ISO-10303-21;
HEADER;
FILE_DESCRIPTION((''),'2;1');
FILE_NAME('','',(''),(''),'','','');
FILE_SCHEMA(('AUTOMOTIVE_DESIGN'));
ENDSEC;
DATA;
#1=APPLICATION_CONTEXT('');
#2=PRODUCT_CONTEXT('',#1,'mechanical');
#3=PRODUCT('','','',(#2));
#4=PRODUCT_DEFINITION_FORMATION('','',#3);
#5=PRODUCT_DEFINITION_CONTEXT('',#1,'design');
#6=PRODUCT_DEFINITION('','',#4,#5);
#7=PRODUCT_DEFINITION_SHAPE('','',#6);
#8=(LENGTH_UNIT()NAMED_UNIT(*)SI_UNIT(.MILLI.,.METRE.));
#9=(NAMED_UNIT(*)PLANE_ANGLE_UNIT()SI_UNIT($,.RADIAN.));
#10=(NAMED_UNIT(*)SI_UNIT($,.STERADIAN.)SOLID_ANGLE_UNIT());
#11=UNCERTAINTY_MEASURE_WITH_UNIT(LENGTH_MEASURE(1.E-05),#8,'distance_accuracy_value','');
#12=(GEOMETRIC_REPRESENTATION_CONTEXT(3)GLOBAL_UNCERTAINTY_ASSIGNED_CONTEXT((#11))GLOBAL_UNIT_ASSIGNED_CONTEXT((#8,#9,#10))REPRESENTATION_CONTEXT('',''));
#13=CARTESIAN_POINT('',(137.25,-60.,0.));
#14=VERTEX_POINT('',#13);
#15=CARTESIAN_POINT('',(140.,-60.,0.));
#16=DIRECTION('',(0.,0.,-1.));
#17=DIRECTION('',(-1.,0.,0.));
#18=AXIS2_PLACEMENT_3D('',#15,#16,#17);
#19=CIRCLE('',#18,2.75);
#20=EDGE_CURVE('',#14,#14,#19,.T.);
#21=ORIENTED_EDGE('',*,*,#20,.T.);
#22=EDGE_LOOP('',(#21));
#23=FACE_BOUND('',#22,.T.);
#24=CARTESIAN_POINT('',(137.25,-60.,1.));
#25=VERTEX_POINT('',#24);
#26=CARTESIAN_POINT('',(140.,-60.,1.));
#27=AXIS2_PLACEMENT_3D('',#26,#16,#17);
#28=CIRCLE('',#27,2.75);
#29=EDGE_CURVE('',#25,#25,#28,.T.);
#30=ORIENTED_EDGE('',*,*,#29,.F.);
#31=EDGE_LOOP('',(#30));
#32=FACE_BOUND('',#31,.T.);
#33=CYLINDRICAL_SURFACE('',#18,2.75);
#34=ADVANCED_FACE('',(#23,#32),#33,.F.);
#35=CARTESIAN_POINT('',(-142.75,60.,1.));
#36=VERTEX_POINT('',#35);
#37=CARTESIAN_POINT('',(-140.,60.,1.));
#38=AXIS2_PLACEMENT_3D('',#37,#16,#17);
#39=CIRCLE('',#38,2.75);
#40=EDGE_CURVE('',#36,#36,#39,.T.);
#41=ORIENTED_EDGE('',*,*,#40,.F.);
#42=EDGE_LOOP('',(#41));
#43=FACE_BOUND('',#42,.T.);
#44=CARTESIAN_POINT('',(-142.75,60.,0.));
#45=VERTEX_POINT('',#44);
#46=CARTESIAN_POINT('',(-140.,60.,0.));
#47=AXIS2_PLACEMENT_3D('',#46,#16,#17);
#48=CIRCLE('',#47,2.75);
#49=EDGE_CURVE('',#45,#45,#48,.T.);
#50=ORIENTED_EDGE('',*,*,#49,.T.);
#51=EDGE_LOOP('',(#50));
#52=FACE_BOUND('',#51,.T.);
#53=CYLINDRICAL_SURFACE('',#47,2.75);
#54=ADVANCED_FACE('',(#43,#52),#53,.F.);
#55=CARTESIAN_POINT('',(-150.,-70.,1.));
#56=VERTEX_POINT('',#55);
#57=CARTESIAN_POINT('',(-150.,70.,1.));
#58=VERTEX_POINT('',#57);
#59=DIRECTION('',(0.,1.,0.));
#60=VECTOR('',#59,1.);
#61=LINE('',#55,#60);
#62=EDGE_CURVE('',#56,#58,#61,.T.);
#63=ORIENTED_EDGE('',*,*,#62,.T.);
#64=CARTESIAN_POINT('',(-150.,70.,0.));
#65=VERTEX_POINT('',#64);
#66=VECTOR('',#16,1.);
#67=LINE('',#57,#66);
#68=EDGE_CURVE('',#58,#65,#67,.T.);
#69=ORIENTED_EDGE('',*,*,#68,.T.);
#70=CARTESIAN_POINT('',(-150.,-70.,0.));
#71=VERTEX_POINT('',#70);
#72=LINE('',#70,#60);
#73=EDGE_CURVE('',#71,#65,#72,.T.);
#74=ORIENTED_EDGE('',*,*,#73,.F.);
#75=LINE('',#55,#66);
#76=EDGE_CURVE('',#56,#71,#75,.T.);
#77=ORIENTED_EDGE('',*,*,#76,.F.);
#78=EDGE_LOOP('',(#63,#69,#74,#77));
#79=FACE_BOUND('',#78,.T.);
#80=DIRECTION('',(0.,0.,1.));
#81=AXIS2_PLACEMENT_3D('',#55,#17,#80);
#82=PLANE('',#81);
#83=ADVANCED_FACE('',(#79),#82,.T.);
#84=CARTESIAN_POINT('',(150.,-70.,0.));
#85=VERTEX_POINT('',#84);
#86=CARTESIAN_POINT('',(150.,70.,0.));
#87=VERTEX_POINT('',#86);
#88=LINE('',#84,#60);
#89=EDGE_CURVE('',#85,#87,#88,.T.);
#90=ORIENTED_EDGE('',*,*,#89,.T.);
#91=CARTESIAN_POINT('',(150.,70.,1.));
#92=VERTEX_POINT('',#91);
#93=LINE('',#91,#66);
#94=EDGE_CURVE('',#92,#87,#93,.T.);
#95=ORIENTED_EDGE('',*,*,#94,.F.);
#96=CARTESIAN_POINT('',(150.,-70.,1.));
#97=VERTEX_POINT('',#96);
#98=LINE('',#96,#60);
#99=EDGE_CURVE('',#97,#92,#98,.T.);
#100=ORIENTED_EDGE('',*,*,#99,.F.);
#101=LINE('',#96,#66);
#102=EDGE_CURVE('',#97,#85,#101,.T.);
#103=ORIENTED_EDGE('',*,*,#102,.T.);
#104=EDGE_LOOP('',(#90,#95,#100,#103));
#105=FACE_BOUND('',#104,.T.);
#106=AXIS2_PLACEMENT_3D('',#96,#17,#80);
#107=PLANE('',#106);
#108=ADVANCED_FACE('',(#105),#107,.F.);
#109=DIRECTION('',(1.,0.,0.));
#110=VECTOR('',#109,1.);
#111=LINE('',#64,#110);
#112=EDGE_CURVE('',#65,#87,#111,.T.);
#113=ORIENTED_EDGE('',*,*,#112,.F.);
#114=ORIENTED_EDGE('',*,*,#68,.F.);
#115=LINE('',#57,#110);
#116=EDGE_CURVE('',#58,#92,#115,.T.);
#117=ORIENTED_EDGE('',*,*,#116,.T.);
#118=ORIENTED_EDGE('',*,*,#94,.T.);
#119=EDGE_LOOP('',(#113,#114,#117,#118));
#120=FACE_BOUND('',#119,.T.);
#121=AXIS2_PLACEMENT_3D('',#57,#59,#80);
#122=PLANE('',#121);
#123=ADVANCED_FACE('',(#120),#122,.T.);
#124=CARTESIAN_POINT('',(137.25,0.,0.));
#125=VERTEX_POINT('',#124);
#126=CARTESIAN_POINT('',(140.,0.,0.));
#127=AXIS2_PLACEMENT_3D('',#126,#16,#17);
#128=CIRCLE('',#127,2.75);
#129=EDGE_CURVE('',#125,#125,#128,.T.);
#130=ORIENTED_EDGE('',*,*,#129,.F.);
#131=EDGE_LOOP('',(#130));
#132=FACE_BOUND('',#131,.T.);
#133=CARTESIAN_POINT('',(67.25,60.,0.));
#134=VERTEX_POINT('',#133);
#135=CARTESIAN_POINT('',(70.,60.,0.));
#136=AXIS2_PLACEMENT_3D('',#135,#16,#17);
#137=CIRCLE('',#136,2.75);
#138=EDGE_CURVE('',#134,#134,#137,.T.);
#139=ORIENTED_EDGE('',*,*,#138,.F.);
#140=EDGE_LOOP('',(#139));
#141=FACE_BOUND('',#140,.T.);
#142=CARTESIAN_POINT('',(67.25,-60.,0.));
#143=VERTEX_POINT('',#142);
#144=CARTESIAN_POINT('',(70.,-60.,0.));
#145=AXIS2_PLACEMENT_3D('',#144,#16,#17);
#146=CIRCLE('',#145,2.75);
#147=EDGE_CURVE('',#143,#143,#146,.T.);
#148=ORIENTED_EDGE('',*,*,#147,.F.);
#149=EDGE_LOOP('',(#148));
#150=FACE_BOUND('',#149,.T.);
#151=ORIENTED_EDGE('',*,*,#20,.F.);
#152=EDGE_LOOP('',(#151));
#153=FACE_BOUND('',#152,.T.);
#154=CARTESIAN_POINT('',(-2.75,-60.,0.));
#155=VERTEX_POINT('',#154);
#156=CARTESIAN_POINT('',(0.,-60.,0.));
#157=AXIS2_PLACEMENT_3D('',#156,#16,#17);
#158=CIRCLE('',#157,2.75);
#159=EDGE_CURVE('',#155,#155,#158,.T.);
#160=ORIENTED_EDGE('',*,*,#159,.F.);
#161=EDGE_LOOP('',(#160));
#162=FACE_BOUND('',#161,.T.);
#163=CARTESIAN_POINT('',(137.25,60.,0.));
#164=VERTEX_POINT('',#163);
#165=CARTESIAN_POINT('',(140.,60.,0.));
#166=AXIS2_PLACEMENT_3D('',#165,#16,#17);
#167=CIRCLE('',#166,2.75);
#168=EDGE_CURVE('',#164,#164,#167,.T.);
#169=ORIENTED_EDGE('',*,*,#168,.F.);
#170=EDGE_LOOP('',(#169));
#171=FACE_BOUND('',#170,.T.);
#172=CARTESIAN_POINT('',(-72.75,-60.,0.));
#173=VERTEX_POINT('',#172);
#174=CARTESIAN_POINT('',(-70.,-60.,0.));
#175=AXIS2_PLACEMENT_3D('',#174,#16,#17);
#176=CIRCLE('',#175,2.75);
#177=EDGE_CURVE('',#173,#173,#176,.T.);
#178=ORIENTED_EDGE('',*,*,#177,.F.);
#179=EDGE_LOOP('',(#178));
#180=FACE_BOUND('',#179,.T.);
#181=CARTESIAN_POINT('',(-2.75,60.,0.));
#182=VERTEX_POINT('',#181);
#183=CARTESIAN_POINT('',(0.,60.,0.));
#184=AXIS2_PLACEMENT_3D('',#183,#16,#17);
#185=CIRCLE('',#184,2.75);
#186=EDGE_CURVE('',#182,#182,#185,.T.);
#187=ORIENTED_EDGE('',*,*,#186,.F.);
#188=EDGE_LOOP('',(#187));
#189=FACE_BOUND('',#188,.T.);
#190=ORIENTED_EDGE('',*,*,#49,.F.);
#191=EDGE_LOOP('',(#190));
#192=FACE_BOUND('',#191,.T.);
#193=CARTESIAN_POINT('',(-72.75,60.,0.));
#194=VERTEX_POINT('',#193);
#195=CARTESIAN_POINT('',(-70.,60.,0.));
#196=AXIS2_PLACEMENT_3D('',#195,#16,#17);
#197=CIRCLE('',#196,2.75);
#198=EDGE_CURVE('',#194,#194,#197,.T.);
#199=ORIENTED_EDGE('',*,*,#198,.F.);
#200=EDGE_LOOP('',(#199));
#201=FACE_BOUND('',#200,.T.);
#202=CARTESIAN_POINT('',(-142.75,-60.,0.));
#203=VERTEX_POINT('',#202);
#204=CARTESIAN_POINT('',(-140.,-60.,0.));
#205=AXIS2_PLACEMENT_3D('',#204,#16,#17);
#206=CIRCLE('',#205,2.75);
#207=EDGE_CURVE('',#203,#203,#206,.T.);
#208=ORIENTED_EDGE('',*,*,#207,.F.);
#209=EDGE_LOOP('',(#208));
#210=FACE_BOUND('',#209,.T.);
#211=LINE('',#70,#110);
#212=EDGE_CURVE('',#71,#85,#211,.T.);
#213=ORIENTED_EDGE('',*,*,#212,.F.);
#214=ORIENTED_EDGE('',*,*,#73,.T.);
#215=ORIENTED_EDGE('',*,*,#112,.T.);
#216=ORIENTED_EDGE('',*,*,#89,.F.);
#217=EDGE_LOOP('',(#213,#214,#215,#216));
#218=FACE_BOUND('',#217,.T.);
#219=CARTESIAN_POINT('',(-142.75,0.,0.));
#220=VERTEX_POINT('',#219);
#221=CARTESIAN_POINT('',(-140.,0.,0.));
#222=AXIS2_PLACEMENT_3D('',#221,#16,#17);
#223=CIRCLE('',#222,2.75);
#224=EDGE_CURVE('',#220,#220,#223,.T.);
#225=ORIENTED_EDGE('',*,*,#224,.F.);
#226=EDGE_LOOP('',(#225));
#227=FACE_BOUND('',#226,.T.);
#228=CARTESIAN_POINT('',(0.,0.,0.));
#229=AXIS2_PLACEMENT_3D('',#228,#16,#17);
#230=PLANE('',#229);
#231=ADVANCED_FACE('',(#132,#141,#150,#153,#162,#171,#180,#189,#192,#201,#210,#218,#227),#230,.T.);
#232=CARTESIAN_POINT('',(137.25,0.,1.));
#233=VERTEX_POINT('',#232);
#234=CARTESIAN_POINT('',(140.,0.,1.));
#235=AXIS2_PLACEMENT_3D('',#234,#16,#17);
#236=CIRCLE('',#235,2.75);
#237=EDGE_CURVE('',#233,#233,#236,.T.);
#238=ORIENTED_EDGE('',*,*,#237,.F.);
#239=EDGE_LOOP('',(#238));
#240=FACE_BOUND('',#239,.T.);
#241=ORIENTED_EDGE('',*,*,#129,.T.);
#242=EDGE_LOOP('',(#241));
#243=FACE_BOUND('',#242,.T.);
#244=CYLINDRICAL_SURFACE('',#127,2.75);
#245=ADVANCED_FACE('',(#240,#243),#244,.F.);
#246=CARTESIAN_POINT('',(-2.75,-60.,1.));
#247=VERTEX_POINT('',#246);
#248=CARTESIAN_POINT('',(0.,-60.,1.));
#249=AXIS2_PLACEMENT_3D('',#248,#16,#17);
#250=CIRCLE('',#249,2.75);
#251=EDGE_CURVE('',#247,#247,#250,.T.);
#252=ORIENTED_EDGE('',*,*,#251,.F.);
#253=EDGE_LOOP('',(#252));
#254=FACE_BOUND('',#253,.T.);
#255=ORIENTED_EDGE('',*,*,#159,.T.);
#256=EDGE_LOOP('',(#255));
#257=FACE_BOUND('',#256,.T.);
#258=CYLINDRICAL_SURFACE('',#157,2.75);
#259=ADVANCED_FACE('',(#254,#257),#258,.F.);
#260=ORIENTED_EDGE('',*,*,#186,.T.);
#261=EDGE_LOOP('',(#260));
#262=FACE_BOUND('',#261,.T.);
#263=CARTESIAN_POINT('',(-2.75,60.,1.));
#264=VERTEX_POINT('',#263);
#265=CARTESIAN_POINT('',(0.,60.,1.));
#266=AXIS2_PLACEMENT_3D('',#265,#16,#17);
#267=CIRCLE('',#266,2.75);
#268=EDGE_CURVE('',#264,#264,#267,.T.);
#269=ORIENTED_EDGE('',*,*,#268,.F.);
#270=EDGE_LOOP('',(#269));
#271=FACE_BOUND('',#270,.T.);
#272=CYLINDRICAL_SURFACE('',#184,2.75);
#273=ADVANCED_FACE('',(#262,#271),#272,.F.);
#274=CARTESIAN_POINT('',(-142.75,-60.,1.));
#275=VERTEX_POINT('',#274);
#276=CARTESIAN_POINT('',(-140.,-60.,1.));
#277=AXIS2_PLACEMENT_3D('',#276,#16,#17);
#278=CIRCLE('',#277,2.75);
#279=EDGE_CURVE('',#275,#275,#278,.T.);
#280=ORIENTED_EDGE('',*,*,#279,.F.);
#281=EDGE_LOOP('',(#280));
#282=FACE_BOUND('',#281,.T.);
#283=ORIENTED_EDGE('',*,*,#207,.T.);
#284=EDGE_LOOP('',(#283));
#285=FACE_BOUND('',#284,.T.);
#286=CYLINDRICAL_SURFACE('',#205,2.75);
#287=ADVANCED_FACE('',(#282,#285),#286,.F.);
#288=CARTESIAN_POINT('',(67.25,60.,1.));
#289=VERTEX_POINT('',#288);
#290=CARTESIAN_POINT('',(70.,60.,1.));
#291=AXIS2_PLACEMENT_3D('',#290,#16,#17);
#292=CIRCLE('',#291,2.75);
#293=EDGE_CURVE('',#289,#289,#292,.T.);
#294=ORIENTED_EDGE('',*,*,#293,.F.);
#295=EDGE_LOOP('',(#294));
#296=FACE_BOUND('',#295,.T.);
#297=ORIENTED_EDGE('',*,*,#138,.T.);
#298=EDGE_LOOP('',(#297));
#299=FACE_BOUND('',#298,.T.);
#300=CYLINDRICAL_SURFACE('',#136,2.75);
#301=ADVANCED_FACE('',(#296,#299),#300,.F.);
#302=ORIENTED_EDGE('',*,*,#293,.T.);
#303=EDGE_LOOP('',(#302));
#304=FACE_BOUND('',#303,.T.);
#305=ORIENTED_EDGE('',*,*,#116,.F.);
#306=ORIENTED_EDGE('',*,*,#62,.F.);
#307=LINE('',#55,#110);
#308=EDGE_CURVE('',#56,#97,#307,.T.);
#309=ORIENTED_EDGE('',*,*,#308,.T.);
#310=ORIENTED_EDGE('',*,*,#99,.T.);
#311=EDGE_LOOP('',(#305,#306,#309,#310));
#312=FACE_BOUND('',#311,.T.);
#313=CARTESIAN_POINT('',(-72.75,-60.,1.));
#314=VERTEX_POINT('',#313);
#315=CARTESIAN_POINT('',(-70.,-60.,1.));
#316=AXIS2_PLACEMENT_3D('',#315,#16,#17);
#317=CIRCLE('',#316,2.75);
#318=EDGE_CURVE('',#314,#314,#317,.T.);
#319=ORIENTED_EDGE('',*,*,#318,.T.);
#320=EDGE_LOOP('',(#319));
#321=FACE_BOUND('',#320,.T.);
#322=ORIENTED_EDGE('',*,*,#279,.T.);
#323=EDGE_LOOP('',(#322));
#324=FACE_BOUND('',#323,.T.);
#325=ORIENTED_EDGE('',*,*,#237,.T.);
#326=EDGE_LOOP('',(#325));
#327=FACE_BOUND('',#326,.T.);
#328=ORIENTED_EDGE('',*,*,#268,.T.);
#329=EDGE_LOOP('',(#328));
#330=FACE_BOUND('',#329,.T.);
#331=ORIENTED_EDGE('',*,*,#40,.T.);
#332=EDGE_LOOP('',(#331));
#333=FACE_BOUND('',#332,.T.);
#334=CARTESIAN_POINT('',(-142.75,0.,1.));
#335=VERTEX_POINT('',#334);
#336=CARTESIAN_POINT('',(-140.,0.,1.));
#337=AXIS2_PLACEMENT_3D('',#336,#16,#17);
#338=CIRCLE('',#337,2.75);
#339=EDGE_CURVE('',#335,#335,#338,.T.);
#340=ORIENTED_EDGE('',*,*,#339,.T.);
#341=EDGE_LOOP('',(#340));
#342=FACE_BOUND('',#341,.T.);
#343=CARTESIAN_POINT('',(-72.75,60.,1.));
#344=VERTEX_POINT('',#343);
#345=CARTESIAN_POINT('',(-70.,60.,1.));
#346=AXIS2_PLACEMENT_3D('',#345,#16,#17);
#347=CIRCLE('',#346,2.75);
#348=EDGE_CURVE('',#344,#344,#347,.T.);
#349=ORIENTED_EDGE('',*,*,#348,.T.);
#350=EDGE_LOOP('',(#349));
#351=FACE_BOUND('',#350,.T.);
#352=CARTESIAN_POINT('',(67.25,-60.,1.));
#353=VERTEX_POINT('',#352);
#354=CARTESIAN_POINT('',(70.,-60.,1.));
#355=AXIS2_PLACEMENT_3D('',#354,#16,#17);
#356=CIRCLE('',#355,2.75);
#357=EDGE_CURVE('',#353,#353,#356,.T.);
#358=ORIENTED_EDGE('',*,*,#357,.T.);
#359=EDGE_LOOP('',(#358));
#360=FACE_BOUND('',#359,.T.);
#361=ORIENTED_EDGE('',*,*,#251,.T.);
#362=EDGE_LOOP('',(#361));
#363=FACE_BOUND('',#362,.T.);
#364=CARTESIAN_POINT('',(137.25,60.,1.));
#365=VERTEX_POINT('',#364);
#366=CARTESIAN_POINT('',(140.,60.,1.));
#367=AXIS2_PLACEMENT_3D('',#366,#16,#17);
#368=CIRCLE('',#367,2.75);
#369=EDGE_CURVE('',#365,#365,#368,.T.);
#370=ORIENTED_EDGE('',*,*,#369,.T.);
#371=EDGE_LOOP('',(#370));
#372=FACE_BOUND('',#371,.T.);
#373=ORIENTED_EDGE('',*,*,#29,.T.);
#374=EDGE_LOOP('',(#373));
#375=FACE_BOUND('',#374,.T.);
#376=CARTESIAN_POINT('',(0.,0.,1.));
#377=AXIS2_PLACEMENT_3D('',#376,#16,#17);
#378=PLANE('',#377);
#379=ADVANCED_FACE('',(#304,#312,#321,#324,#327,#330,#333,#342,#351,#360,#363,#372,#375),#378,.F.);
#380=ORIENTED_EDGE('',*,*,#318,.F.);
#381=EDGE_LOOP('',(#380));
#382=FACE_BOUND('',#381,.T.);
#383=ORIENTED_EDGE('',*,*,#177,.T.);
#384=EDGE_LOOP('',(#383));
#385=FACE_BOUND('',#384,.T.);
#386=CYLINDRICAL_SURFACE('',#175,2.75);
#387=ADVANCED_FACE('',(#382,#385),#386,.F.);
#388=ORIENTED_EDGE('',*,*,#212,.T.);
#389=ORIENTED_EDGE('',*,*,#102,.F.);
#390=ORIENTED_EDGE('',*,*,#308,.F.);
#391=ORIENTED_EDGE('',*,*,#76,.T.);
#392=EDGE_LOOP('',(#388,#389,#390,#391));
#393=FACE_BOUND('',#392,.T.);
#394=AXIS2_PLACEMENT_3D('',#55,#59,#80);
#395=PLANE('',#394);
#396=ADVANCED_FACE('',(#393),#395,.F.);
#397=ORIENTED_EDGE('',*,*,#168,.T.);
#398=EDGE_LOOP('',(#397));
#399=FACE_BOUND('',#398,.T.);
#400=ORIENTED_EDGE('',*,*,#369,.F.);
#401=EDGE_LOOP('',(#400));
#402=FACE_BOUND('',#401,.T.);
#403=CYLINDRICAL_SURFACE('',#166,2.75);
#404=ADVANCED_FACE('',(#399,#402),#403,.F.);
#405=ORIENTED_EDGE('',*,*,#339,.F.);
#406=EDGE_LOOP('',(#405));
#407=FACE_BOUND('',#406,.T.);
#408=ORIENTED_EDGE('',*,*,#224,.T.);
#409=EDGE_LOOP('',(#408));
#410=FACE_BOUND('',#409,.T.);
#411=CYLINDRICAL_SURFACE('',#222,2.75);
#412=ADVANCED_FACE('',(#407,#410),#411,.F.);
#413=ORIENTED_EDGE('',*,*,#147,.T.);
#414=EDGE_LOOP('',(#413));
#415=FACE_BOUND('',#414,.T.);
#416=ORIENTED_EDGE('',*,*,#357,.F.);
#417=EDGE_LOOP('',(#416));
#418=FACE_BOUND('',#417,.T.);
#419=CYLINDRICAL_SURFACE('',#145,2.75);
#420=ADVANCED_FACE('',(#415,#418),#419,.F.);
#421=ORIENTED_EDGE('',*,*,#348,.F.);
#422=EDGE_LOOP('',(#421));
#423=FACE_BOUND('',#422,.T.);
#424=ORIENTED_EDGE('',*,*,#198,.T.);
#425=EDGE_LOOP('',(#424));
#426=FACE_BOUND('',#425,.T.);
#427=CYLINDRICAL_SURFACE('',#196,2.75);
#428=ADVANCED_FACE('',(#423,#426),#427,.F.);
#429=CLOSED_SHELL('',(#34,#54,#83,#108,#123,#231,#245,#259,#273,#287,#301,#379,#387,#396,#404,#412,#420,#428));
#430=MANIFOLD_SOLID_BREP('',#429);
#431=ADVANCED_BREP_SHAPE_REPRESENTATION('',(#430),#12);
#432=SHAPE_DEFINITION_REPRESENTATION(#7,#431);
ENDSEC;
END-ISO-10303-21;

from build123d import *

# Parameters (mm, degrees)
SKETCH_1_W         = 300
SKETCH_1_H         = 140
EXTRUDE_1_DEPTH    = 1
HOLE_WIZARD_M5_1_D = 5.5


with BuildPart() as part:
    # 스케치1 → 보스-돌출1 (new body)
    with BuildSketch(Plane.XY):
        Rectangle(SKETCH_1_W, SKETCH_1_H)
    extrude(amount=EXTRUDE_1_DEPTH)

    # M5 여유 구멍1 (through all)
    with Locations(Plane(origin=(0, 0, 0), x_dir=(-1, 0, 0), z_dir=(0, 0, -1))):
        with Locations((-140, 60), (-70, 60), (70, 60), (0, 60), (140, 60), (140, 0), (140, -60), (-140, 0), (-140, -60), (-70, -60), (70, -60), (0, -60)):
            Hole(HOLE_WIZARD_M5_1_D / 2)


solid = part.part
